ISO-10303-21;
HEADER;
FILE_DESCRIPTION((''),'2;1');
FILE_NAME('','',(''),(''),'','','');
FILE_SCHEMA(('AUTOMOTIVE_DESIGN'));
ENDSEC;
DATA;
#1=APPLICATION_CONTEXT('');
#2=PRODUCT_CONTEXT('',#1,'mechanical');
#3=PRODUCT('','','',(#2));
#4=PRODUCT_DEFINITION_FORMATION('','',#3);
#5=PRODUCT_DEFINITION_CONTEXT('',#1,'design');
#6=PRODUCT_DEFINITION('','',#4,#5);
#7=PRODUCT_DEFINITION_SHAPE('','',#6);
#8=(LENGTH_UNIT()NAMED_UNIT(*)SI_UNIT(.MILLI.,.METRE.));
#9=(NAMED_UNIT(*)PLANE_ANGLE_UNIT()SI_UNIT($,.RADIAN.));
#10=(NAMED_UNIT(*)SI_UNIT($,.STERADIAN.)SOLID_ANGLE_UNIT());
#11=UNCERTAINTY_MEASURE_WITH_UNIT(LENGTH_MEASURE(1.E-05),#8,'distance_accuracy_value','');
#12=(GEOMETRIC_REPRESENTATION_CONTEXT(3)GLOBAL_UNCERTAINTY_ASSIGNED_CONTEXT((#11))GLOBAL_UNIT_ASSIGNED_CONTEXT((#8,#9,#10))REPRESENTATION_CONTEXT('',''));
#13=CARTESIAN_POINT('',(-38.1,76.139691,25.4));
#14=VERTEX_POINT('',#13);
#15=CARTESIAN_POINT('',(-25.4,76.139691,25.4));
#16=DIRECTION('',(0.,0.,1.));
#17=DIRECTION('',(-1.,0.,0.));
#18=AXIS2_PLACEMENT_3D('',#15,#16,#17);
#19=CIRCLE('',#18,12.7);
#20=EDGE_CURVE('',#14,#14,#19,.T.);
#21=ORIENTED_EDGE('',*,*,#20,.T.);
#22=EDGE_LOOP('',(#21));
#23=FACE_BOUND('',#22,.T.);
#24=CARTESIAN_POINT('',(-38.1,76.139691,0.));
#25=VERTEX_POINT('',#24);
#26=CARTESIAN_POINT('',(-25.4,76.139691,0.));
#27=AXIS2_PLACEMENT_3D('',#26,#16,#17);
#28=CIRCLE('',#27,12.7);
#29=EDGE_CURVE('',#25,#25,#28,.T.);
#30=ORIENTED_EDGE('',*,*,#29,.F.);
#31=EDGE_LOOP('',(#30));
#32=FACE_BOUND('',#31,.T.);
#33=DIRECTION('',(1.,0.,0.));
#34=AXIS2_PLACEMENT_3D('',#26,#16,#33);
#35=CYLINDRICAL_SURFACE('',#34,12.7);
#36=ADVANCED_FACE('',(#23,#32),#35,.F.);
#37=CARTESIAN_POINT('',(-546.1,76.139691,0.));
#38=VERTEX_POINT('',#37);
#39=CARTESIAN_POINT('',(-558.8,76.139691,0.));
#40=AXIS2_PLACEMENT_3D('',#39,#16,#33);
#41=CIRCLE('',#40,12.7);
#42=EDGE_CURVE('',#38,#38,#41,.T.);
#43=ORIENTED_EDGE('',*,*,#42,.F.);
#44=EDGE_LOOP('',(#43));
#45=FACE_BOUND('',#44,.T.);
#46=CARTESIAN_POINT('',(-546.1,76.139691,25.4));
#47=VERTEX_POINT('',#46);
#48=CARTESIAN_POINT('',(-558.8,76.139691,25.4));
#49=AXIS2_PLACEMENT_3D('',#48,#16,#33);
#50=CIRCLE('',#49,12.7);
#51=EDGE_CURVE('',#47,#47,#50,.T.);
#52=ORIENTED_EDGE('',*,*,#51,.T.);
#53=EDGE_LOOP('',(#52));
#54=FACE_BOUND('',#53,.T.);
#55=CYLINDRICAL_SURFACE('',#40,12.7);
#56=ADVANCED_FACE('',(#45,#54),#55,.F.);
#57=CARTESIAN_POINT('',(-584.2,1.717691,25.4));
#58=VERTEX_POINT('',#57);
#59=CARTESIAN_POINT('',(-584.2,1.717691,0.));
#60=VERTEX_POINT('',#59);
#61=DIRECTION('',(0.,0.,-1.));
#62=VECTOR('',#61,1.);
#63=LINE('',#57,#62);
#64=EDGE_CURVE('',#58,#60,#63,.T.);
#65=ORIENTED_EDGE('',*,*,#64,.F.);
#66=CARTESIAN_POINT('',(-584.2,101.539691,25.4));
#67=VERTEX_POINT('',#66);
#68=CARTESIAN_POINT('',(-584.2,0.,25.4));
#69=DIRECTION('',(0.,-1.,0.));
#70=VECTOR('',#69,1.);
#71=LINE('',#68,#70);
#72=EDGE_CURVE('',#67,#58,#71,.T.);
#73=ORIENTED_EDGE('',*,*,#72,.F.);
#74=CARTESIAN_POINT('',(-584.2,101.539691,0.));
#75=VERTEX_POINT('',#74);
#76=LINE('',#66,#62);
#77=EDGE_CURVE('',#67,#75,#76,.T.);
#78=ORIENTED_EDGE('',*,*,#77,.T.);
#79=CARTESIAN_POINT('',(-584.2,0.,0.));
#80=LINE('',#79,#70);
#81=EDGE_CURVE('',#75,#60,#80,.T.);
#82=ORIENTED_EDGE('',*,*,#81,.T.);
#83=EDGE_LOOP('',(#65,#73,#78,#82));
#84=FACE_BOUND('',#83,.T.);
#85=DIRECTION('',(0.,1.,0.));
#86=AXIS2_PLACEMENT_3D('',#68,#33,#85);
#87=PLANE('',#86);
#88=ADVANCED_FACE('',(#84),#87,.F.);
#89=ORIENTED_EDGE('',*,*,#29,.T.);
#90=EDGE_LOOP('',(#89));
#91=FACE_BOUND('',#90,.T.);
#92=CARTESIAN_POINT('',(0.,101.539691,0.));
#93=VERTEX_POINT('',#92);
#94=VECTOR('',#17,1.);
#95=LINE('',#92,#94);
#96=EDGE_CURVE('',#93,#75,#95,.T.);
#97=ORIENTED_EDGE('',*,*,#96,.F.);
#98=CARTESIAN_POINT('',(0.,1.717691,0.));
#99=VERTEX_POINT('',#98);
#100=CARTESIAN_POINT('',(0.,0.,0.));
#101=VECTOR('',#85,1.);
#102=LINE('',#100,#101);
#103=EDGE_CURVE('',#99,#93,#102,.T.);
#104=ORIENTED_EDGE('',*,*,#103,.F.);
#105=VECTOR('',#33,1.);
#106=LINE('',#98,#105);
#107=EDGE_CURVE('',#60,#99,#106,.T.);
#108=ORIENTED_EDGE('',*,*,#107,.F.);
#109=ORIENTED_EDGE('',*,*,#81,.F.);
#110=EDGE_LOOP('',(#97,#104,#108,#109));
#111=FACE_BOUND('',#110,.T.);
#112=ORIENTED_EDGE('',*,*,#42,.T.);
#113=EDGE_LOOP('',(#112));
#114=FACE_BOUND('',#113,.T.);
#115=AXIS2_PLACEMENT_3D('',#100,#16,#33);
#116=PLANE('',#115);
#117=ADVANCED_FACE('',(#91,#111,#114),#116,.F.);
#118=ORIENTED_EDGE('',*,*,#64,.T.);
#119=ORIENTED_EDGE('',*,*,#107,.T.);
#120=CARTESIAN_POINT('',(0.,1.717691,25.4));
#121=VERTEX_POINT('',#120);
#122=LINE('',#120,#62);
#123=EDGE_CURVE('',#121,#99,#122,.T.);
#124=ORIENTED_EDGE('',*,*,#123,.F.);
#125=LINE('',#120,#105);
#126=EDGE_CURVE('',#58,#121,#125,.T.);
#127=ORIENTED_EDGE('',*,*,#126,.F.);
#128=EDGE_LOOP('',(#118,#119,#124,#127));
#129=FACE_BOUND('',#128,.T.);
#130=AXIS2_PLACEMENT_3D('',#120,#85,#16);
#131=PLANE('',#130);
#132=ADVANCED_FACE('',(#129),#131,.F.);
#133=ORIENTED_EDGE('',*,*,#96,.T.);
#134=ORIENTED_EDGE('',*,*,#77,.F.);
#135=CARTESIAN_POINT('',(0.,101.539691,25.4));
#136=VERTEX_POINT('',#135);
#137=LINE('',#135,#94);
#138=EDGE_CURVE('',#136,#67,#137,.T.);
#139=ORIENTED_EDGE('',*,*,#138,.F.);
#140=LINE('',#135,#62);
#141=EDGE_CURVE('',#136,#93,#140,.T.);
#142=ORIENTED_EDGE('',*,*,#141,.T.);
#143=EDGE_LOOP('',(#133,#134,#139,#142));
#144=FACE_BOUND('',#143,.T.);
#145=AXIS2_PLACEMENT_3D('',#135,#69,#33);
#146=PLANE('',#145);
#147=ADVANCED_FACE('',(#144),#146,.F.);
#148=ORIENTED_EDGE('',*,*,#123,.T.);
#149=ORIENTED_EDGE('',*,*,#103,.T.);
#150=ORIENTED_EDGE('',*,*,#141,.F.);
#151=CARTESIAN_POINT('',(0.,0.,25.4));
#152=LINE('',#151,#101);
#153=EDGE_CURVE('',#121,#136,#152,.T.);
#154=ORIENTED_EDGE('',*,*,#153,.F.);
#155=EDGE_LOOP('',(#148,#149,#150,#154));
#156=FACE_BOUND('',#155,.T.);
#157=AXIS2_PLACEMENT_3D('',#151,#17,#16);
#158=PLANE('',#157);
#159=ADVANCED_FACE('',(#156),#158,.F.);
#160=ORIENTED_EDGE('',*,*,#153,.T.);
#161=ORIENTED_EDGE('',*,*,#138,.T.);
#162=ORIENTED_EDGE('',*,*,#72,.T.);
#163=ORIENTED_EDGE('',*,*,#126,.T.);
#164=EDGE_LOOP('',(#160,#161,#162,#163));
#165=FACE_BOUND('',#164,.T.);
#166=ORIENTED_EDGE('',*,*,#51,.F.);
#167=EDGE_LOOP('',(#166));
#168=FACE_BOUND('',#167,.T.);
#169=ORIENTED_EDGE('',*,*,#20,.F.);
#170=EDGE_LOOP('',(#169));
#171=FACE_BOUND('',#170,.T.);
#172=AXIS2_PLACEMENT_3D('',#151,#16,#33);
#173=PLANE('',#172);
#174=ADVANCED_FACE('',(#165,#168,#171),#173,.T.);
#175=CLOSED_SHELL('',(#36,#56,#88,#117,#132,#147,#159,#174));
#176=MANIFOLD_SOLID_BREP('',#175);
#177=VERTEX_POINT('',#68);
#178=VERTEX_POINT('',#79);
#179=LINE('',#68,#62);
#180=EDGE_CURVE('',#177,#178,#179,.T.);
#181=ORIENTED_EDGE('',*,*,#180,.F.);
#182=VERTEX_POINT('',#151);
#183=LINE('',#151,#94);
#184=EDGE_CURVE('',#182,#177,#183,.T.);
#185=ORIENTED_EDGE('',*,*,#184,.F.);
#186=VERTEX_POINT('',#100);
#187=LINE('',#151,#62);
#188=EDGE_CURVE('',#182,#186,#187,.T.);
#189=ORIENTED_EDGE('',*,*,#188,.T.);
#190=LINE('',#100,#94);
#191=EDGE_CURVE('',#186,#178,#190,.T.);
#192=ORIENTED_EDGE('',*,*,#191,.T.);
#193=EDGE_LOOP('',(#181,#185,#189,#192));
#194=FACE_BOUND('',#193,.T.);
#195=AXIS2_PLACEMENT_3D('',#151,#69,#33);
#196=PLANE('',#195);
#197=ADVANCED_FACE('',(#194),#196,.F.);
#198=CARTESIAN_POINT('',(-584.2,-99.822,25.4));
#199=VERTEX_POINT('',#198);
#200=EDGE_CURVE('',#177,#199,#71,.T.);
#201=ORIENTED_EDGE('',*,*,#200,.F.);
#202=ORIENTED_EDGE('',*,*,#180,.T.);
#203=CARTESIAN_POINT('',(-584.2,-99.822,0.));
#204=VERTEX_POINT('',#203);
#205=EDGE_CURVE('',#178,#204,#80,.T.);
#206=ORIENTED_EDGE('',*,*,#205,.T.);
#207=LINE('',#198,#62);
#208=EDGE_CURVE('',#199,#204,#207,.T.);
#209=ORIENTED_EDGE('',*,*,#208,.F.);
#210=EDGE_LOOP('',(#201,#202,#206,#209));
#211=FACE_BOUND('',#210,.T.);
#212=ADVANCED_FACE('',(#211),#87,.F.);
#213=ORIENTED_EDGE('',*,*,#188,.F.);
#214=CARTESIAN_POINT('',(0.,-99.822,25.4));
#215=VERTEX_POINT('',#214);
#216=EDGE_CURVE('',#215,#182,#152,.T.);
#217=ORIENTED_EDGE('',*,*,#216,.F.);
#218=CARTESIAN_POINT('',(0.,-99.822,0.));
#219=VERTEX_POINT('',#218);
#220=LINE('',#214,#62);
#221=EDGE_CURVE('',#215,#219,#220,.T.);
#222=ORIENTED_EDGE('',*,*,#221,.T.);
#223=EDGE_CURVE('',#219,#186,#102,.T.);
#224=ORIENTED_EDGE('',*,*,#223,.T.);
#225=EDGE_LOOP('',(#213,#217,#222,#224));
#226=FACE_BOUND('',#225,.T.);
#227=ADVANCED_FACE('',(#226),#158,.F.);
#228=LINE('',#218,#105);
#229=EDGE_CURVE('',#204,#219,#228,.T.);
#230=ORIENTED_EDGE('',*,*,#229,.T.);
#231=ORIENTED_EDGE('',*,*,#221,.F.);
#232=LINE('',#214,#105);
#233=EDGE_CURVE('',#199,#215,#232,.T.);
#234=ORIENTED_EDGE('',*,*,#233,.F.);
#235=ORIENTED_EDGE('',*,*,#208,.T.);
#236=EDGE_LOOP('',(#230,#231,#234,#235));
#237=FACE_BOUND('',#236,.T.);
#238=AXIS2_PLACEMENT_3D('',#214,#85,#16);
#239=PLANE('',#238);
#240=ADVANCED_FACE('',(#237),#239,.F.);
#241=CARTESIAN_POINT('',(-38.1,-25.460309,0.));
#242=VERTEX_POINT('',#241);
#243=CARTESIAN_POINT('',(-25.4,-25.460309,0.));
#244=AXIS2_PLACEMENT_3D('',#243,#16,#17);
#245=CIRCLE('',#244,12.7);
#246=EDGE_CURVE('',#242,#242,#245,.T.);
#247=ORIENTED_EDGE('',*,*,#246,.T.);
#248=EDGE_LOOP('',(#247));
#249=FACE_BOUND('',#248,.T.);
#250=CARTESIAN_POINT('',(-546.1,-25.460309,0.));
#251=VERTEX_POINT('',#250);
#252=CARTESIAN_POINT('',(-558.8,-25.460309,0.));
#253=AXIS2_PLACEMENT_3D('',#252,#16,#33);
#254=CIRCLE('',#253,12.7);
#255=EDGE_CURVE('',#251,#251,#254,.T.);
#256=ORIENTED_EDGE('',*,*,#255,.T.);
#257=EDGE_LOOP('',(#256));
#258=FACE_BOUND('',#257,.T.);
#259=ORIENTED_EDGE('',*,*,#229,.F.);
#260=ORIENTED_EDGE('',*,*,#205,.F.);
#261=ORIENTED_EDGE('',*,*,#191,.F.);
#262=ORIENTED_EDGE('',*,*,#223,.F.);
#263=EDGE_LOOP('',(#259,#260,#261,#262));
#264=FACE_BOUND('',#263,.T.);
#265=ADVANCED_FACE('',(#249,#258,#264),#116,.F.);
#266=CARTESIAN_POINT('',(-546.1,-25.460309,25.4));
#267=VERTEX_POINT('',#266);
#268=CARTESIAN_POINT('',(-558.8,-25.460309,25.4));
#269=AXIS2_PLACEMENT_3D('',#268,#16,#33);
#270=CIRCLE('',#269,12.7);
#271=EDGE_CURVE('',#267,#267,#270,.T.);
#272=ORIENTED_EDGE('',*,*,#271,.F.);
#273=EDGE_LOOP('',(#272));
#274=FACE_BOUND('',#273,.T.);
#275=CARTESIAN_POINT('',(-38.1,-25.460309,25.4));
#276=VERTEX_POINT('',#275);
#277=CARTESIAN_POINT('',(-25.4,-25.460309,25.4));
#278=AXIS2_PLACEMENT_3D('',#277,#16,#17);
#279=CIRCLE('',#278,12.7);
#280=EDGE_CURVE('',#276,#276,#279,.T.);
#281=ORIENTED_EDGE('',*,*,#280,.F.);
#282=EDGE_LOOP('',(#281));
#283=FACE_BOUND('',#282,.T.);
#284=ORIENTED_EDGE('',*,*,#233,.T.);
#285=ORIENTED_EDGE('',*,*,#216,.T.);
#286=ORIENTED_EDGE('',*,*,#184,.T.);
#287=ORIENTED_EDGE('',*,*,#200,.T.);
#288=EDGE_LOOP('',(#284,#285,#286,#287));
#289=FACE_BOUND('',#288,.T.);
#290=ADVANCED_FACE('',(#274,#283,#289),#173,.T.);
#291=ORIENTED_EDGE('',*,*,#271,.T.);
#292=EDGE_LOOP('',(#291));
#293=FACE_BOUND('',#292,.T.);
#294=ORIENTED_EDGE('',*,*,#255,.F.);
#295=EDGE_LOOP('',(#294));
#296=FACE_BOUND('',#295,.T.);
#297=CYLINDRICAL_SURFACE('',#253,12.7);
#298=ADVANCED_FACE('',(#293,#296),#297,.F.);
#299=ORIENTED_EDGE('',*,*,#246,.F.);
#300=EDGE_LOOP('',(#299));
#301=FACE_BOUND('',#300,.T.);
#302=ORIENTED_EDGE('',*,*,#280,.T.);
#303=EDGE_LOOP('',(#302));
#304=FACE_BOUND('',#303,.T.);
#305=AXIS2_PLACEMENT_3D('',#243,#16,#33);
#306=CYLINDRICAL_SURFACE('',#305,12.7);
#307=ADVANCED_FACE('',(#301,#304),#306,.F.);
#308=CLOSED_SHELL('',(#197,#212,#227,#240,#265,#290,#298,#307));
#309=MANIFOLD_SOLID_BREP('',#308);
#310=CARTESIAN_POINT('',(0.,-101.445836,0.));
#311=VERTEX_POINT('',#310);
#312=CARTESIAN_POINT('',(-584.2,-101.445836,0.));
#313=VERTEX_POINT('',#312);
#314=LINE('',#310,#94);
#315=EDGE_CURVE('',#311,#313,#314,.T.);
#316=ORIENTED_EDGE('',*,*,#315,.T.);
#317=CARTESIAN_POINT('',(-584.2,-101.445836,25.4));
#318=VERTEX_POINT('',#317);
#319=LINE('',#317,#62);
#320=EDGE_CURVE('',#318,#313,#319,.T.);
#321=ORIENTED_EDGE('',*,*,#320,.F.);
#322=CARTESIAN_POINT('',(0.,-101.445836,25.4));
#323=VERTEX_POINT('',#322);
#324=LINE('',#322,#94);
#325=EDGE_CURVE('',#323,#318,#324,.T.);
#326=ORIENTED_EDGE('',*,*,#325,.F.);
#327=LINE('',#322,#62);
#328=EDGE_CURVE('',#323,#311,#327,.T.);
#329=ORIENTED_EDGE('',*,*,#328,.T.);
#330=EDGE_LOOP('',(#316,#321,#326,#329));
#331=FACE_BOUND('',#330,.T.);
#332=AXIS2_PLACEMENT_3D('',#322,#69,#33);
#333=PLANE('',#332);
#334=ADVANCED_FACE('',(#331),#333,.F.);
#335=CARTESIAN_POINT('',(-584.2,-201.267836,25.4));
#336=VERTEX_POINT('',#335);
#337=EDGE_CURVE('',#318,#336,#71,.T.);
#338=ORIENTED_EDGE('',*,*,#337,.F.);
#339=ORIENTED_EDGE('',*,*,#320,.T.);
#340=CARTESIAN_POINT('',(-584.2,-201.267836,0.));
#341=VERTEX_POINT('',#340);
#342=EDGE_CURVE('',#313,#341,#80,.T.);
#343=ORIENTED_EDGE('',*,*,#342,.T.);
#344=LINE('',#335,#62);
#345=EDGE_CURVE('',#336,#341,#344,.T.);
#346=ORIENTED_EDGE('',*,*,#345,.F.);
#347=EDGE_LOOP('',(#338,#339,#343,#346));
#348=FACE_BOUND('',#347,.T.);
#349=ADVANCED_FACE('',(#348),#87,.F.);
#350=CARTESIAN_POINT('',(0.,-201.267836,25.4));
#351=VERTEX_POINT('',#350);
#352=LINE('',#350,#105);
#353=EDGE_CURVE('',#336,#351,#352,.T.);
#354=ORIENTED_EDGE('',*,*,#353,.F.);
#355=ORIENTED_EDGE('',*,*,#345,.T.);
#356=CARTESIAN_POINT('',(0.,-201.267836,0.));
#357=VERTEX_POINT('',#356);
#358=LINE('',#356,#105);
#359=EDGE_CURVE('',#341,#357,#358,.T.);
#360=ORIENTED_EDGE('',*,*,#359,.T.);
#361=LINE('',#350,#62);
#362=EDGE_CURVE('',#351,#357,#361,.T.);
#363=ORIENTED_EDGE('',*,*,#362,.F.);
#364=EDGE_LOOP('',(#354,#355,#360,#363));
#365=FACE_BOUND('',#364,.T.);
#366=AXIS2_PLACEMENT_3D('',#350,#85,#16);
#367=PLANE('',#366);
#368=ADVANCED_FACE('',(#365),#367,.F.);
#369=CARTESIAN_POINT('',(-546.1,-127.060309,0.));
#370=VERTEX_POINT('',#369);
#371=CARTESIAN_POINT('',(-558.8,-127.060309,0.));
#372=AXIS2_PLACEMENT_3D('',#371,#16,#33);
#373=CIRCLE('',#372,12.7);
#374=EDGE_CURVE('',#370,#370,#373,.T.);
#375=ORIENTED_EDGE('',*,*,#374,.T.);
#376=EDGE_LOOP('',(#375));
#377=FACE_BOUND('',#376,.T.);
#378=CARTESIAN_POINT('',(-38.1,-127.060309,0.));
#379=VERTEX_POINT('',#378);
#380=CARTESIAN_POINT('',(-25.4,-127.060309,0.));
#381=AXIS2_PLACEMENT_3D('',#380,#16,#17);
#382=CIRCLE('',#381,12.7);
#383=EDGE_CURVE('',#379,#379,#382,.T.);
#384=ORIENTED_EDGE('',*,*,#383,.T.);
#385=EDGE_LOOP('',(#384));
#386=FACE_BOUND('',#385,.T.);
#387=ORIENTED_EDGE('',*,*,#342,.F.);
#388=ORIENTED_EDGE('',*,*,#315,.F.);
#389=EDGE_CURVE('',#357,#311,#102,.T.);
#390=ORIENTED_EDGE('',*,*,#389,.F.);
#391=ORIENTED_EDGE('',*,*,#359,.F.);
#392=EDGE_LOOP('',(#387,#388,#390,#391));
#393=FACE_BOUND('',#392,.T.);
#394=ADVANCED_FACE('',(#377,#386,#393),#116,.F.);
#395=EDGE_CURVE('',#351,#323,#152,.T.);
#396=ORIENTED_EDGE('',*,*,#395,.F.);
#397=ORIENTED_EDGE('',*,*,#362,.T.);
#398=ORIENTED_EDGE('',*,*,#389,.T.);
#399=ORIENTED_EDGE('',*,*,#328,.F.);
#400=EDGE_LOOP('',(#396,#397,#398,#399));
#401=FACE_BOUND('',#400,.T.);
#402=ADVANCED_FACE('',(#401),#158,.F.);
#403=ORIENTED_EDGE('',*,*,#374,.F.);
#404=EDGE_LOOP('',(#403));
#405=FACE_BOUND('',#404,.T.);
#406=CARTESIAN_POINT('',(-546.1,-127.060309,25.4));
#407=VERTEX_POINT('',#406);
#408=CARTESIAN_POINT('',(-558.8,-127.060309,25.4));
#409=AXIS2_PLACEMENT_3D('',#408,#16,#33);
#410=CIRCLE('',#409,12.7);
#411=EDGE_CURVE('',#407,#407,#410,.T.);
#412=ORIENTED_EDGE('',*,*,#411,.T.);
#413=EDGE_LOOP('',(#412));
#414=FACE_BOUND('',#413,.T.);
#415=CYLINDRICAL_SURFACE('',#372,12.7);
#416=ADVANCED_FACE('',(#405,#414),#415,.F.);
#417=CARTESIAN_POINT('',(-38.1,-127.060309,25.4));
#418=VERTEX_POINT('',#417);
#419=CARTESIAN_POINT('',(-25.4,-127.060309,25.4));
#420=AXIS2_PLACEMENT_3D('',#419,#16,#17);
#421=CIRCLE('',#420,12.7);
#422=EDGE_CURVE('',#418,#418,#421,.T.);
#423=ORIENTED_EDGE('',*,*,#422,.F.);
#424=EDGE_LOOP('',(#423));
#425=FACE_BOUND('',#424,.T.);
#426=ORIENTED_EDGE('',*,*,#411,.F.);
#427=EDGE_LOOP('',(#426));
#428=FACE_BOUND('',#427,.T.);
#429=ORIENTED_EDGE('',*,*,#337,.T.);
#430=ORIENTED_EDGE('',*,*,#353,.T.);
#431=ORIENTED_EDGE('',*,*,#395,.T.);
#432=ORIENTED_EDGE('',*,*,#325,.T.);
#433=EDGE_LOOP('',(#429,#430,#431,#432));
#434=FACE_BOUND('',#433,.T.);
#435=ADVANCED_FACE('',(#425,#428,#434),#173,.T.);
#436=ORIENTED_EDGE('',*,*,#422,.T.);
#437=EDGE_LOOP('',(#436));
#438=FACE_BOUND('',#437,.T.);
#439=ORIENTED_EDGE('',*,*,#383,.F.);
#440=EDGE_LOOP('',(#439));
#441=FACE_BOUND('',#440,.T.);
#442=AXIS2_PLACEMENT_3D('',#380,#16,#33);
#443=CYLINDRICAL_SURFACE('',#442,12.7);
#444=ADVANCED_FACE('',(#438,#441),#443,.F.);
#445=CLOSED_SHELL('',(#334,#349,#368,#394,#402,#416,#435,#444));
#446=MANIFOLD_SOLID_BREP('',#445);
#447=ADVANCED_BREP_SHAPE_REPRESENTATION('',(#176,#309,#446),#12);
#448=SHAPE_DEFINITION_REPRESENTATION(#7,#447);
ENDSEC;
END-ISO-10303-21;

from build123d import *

# Parameters (mm, degrees)
SKETCH1_W             = 584.2
SKETCH1_H             = 99.822
BOSS_EXTRUDE1_DEPTH   = 25.4
BOSS_EXTRUDE1_2_DEPTH = 25.4
BOSS_EXTRUDE1_3_DEPTH = 25.4
SKETCH2_R             = 12.7
CUT_EXTRUDE1_DEPTH    = 26.4
LPATTERN1_COUNT       = 3
LPATTERN1_PITCH       = 101.6


with BuildPart() as part:
    # Sketch1 → Boss-Extrude1 (new body)
    with BuildSketch(Plane.XY):
        with Locations((-292.1, -49.911)):
            Rectangle(SKETCH1_W, SKETCH1_H)
    extrude(amount=BOSS_EXTRUDE1_DEPTH)


with BuildPart() as body_2:
    # Sketch1 → Boss-Extrude1 2 (new body)
    with BuildSketch(Plane.XY):
        with Locations((-292.1, 51.628691072)):
            Rectangle(SKETCH1_W, SKETCH1_H)
    extrude(amount=BOSS_EXTRUDE1_2_DEPTH)

    # Sketch2 → Cut-Extrude1 (cut, through all)
    with BuildSketch(Plane.XY.offset(25.4)):
        with Locations((-558.8, 76.139691072)):
            Circle(SKETCH2_R)
        with Locations((-25.4, 76.139691072)):
            Circle(SKETCH2_R)
    cut_extrude1 = extrude(amount=-CUT_EXTRUDE1_DEPTH, mode=Mode.SUBTRACT)


with BuildPart() as body_3:
    # Sketch1 → Boss-Extrude1 3 (new body)
    with BuildSketch(Plane.XY):
        with Locations((-292.1, -151.356836193)):
            Rectangle(SKETCH1_W, SKETCH1_H)
    extrude(amount=BOSS_EXTRUDE1_3_DEPTH)


with BuildPart() as lpattern1_tool:
    # LPattern1: Cut-Extrude1 ×3
    with Locations(*[(0, -i * LPATTERN1_PITCH, 0) for i in range(1, LPATTERN1_COUNT)]):
        add(cut_extrude1)


with BuildPart() as part_1:
    add(part.part)

    # LPattern1: cut by lpattern1_tool
    add(lpattern1_tool.part, mode=Mode.SUBTRACT)


with BuildPart() as body_3_1:
    add(body_3.part)

    # LPattern1: cut by lpattern1_tool
    add(lpattern1_tool.part, mode=Mode.SUBTRACT)


solid = Compound([body_2.part, part_1.part, body_3_1.part])
